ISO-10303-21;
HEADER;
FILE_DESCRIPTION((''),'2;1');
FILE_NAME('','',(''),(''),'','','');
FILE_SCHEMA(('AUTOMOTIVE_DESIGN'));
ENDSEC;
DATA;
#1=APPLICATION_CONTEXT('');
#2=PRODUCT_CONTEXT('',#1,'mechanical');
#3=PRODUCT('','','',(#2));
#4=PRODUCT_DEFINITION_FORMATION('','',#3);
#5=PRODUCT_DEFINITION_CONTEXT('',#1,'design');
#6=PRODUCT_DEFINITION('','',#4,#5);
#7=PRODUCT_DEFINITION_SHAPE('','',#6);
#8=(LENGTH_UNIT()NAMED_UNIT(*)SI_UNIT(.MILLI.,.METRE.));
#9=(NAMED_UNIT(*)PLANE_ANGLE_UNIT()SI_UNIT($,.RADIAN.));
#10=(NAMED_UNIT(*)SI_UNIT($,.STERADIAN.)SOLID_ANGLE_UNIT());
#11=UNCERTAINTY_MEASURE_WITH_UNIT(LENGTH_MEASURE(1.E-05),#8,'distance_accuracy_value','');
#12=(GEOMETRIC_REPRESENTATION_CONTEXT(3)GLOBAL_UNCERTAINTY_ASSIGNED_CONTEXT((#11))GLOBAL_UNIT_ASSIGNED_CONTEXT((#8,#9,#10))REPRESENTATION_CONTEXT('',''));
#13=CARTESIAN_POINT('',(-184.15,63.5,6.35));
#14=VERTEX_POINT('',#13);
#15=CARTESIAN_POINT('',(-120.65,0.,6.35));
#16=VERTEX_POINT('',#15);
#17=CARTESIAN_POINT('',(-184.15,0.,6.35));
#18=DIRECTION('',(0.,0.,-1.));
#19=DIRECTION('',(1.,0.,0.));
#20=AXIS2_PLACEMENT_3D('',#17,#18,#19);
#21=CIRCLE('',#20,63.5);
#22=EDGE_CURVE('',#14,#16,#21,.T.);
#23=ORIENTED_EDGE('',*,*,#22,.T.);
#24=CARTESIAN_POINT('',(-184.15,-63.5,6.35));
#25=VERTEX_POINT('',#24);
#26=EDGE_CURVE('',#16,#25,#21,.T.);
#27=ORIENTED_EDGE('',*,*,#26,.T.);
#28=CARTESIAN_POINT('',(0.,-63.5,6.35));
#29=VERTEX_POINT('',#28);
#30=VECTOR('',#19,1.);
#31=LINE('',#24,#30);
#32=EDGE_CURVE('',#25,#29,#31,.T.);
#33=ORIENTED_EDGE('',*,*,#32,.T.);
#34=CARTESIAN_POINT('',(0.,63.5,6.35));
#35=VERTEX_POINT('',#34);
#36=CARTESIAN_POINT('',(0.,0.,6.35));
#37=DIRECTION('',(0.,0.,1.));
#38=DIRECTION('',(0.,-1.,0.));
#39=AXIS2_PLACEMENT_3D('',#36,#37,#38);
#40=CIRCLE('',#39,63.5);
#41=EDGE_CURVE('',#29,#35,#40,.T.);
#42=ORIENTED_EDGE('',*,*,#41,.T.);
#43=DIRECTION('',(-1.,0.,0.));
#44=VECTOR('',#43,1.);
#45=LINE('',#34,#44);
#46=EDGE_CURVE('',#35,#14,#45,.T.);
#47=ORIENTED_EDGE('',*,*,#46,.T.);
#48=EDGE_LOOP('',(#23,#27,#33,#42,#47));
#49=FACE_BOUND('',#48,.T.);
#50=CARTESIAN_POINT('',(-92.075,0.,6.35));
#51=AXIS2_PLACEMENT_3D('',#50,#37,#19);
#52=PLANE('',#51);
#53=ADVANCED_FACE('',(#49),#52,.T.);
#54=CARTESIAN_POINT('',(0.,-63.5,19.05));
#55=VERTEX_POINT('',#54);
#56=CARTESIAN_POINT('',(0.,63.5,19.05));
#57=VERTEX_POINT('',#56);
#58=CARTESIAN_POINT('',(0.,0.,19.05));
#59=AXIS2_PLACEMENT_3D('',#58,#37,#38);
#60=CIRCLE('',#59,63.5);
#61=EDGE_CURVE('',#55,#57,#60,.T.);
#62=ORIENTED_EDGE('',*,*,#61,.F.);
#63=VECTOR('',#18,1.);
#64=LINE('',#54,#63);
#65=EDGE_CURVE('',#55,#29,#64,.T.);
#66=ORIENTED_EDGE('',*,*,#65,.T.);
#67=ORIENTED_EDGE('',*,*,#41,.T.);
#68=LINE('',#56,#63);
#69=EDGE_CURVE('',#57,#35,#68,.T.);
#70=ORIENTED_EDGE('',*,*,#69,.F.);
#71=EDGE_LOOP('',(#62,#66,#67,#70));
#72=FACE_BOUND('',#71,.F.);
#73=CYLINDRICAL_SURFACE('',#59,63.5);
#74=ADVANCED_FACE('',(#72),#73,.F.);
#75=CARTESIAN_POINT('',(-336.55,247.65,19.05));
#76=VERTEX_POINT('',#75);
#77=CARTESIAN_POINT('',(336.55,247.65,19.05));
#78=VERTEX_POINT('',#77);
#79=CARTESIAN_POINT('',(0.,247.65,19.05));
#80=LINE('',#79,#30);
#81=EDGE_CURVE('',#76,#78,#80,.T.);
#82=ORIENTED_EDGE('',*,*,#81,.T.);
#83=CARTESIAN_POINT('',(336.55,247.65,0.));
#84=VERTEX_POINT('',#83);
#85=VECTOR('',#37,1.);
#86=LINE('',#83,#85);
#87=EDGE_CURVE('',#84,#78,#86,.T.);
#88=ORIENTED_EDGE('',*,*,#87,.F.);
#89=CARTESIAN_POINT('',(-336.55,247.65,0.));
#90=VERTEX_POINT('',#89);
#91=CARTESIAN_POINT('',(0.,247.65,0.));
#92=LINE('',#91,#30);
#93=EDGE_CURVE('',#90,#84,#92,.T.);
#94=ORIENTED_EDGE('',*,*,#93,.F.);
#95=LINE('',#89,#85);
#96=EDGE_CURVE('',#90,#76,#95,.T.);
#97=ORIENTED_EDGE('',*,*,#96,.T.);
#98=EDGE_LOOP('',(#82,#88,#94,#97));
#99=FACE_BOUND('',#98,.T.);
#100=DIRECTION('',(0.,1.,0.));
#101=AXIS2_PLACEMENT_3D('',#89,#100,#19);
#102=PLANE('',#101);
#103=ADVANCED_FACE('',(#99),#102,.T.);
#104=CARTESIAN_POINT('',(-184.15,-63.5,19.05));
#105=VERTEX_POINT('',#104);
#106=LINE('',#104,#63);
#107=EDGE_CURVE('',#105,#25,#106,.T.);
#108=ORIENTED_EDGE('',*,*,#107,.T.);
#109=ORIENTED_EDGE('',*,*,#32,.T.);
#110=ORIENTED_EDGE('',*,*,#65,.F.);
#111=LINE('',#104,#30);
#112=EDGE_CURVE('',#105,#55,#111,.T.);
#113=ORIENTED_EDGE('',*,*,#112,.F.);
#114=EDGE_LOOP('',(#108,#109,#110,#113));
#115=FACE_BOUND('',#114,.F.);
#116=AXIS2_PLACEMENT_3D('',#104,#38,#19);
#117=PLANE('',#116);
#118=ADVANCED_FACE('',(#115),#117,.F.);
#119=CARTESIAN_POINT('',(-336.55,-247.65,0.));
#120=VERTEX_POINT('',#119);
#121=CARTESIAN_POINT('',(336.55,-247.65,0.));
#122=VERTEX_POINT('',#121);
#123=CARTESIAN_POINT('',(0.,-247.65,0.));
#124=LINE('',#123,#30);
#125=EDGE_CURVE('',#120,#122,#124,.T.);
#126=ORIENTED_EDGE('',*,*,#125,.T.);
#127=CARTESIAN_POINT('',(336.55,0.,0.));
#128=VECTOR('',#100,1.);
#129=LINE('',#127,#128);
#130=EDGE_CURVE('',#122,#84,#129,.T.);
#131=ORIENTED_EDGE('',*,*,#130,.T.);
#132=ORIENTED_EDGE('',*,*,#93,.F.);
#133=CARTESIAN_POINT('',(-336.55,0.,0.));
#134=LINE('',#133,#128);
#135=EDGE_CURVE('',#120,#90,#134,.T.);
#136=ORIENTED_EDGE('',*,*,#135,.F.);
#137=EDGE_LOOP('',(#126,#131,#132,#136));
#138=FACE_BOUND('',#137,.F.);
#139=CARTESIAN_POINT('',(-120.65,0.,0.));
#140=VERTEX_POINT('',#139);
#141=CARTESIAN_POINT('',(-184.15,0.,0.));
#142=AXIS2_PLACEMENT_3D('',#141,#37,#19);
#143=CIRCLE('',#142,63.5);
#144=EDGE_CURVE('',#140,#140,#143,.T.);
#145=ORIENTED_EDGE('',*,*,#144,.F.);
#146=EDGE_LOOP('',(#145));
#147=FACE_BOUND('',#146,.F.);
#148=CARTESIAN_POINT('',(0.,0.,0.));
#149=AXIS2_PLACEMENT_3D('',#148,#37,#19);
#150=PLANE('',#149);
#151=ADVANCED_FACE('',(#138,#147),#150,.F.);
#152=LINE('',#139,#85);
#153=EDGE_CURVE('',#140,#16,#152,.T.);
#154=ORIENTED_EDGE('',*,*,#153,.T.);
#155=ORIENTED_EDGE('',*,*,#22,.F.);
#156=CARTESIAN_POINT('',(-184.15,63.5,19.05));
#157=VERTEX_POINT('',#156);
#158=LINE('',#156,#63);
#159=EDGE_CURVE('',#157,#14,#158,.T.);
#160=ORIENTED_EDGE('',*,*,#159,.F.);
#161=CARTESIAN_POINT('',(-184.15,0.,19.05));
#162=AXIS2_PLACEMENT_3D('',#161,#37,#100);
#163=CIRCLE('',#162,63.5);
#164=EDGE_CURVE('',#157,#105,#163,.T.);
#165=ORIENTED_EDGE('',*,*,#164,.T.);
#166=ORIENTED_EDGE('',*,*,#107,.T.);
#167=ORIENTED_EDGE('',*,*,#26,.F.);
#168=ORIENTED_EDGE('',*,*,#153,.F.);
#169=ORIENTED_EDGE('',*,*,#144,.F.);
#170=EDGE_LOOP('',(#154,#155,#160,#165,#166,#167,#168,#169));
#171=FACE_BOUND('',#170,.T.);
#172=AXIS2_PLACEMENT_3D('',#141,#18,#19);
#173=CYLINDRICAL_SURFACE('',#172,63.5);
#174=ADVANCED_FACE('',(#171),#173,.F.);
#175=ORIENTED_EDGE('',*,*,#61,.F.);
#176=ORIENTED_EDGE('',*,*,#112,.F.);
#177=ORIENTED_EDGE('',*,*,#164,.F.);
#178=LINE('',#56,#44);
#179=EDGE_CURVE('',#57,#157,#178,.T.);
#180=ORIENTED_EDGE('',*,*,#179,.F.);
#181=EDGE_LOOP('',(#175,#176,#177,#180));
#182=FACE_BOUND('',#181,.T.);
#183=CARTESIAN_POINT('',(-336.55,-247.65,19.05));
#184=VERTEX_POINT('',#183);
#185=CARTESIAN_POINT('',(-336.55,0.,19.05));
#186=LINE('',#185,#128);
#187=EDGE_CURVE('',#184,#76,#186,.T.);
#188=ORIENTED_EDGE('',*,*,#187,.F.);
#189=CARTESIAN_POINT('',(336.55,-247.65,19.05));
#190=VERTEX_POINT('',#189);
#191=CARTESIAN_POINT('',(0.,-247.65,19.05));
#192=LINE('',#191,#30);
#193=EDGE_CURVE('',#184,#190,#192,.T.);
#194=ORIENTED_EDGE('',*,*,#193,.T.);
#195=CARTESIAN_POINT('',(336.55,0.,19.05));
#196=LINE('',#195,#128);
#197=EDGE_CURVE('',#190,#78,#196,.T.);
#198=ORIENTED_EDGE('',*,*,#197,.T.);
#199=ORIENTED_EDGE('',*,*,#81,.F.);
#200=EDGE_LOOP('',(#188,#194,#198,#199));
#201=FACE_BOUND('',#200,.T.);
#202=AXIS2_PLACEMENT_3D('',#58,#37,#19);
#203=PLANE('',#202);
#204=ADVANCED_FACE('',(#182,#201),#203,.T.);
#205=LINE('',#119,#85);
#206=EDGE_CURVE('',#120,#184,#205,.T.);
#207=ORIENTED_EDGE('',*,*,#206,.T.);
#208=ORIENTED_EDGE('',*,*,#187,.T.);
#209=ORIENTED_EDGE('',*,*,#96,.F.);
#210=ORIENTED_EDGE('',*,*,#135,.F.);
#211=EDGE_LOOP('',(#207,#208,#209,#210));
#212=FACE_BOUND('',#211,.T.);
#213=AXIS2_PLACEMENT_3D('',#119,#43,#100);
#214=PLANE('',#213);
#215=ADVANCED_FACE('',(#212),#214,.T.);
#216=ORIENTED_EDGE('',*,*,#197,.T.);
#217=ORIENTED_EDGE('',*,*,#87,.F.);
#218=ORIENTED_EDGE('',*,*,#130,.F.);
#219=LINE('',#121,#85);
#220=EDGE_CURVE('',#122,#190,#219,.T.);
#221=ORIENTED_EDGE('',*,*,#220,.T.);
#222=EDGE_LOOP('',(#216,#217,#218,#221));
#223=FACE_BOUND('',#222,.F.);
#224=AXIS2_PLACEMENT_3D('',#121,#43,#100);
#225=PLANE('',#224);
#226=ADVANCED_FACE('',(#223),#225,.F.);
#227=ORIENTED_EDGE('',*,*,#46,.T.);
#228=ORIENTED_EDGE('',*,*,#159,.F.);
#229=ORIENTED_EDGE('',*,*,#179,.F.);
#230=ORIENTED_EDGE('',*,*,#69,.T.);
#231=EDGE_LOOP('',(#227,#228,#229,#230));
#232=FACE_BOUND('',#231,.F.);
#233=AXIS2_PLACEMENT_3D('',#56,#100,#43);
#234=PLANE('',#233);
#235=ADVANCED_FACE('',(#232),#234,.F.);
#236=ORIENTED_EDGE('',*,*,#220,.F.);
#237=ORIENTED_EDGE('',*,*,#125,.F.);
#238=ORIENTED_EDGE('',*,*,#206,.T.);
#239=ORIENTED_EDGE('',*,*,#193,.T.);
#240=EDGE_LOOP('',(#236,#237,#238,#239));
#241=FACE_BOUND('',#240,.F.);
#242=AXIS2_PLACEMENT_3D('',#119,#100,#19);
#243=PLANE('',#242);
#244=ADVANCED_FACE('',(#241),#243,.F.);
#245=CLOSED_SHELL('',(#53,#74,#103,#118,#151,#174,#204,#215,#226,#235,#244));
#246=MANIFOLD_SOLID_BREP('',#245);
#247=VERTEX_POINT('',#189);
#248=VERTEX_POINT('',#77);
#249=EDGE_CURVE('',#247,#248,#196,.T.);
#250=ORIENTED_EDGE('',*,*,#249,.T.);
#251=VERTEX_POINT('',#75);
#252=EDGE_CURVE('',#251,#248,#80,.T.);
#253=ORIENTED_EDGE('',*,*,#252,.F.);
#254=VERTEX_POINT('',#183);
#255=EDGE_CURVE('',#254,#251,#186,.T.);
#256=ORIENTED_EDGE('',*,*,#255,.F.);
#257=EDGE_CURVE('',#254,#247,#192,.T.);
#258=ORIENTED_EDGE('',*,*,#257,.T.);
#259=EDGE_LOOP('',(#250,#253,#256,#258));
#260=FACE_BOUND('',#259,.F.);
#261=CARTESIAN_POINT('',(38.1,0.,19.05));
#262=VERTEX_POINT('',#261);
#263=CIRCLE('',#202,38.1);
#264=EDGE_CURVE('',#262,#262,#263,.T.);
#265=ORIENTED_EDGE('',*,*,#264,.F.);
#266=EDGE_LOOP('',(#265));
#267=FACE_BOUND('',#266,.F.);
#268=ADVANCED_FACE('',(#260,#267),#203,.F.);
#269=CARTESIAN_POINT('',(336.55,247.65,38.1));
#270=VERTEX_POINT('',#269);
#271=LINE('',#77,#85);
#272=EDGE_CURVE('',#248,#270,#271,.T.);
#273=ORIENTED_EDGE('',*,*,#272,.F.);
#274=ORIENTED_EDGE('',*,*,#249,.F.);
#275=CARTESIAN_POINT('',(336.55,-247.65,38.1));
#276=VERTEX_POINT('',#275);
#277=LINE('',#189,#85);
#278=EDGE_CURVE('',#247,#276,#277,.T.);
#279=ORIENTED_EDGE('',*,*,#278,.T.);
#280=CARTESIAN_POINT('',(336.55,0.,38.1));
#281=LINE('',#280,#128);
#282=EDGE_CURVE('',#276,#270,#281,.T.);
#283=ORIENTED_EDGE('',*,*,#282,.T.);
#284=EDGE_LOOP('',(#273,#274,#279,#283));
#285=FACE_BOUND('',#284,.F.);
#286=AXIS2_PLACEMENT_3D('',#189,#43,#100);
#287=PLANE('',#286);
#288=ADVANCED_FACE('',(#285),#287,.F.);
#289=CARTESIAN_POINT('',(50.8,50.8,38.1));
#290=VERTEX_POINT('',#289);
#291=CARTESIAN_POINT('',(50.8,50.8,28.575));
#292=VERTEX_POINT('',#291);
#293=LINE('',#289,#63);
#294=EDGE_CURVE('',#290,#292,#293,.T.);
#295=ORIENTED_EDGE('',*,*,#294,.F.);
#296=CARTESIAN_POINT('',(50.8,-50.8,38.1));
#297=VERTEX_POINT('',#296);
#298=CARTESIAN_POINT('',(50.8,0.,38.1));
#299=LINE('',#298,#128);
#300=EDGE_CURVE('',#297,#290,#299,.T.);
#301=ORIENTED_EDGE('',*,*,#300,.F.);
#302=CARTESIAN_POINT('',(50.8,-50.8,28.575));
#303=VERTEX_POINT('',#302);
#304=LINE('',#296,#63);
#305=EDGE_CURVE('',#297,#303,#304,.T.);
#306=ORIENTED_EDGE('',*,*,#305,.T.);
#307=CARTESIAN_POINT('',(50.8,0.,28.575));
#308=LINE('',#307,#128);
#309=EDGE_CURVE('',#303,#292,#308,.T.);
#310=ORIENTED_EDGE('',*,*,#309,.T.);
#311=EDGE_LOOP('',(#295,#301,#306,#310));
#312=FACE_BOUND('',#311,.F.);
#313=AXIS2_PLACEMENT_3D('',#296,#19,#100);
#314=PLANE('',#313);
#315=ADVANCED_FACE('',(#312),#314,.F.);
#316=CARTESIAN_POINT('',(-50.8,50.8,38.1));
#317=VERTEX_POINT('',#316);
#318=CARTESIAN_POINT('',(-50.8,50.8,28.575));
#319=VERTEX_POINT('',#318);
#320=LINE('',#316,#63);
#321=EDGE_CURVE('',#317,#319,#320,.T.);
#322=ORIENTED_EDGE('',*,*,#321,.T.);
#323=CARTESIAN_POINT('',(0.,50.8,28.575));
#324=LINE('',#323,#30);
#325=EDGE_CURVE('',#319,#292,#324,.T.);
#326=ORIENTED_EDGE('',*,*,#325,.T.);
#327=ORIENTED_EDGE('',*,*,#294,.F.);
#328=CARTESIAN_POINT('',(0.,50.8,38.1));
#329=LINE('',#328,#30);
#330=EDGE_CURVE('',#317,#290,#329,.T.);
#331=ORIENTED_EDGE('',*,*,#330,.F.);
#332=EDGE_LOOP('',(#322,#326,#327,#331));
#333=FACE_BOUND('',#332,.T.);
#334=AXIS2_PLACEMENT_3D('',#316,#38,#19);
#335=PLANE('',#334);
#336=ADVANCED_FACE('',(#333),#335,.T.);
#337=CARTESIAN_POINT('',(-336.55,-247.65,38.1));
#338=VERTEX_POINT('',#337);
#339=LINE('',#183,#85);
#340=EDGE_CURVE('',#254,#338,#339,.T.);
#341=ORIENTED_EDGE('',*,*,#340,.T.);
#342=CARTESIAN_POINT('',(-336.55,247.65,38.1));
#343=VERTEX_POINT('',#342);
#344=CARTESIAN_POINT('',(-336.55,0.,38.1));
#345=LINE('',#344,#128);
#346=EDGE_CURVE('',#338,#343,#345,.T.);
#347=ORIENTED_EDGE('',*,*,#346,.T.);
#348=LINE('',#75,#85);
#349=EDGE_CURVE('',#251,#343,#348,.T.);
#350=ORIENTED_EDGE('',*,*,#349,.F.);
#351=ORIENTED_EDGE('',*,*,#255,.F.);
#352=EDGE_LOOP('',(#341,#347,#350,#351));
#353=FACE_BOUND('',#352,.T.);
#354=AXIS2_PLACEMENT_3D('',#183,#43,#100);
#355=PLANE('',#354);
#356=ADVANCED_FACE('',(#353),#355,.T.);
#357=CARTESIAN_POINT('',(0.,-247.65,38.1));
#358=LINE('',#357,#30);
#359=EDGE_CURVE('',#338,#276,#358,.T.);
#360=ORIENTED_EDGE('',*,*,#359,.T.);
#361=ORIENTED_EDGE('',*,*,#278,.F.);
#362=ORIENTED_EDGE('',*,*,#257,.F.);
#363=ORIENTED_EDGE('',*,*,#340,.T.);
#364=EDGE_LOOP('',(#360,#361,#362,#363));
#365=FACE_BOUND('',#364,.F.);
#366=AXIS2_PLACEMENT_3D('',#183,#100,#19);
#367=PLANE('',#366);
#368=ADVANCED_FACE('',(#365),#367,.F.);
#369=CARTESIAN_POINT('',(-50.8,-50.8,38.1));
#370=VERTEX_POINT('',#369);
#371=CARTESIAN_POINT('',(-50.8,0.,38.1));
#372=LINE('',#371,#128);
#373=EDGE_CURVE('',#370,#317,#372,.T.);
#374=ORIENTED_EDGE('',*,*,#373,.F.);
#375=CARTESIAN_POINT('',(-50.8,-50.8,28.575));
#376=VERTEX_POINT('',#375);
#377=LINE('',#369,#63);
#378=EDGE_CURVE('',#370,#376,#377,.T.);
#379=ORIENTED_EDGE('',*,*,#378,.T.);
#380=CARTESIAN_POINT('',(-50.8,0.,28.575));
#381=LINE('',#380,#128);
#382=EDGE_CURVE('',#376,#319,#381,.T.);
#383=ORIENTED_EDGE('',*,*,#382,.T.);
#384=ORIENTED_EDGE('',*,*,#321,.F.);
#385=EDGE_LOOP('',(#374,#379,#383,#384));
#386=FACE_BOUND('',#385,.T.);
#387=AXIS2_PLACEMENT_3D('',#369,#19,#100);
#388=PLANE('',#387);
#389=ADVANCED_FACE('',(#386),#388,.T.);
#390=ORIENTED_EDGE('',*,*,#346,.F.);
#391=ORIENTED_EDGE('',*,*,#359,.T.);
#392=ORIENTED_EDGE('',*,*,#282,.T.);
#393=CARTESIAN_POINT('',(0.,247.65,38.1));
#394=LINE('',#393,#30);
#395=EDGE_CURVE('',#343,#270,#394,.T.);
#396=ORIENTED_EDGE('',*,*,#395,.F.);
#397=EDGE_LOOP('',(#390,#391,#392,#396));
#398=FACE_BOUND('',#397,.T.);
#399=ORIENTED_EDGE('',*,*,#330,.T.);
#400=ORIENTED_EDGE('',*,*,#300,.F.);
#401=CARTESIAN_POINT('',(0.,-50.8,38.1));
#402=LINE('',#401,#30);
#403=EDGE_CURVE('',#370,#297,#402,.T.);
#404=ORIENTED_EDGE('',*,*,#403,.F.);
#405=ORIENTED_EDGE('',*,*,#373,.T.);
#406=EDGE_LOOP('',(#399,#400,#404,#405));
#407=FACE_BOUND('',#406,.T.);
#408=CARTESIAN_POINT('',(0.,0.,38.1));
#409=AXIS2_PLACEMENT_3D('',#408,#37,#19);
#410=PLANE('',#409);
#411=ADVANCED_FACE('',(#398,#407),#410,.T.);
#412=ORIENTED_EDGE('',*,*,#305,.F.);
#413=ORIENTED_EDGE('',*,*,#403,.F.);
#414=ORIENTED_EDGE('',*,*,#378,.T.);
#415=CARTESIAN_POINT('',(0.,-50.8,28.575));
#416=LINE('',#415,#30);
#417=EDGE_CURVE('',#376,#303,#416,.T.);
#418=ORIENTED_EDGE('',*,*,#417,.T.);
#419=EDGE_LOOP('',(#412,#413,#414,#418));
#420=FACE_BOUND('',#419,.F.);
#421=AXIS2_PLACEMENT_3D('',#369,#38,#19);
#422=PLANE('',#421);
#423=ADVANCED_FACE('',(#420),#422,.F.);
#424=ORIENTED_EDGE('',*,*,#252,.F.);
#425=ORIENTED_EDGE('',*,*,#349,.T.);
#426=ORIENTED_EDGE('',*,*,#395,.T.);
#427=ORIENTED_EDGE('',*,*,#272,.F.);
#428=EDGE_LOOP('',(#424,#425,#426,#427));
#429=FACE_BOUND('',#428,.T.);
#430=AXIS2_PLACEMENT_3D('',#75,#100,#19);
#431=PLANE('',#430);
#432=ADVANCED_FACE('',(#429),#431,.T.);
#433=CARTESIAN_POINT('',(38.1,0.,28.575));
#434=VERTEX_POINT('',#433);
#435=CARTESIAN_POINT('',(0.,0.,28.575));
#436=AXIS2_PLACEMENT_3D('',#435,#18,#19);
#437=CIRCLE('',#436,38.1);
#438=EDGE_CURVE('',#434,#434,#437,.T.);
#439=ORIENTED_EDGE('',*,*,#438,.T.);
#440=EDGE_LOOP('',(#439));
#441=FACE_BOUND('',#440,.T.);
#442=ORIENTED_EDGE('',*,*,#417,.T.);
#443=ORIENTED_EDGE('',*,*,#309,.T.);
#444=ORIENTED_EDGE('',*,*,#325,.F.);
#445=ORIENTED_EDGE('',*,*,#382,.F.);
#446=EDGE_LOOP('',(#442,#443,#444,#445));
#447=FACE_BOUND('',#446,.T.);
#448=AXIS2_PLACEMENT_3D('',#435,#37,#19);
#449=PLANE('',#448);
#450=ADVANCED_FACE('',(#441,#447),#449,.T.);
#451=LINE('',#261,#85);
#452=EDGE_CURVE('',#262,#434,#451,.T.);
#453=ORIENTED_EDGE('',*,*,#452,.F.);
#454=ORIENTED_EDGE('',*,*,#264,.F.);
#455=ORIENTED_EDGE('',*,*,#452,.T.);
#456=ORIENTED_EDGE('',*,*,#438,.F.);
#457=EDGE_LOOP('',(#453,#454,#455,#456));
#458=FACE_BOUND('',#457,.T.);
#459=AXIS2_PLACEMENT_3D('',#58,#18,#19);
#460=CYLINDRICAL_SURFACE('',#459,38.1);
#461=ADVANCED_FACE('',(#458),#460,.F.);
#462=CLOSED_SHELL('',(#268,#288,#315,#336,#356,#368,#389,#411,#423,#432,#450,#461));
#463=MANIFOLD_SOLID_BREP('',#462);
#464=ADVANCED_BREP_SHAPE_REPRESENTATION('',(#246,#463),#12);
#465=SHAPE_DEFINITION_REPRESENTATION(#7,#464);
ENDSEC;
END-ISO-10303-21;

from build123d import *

# Parameters (mm, degrees)
F0_W     = 673.1
F0_H     = 495.3
F0_R     = 63.5
F1_DEPTH = 19.05
F3_DEPTH = 12.7
F4_W     = 673.1
F4_H     = 495.3
F4_R     = 38.1
F5_DEPTH = 19.05
F6_W     = 101.6
F6_H     = 101.6
F7_DEPTH = 9.525


with BuildPart() as f1:
    # F0 (on Top) → F1 (new body)
    with BuildSketch(Plane.XY):
        Rectangle(F0_W, F0_H)
        with Locations((-184.15, 0)):
            Circle(F0_R, mode=Mode.SUBTRACT)
    extrude(amount=F1_DEPTH)

    # F2 (on face) → F3 (cut)
    with BuildSketch(Plane.XY.offset(19.05)):
        with BuildLine():
            Line((-184.15, -63.5), (0, -63.5))
            ThreePointArc((0, -63.5), (63.5, 0), (0, 63.5))
            Line((0, 63.5), (-184.15, 63.5))
            ThreePointArc((-184.15, 63.5), (-247.65, 0), (-184.15, -63.5))
        make_face()
    extrude(amount=-F3_DEPTH, mode=Mode.SUBTRACT)


with BuildPart() as f5:
    # F4 (on face) → F5 (new body)
    with BuildSketch(Plane.XY.offset(19.05)):
        Rectangle(F4_W, F4_H)
        Circle(F4_R, mode=Mode.SUBTRACT)
    extrude(amount=F5_DEPTH)

    # F6 (on face) → F7 (cut)
    with BuildSketch(Plane.XY.offset(38.1)):
        Rectangle(F6_W, F6_H)
    extrude(amount=-F7_DEPTH, mode=Mode.SUBTRACT)


solid = Compound([f1.part, f5.part])
